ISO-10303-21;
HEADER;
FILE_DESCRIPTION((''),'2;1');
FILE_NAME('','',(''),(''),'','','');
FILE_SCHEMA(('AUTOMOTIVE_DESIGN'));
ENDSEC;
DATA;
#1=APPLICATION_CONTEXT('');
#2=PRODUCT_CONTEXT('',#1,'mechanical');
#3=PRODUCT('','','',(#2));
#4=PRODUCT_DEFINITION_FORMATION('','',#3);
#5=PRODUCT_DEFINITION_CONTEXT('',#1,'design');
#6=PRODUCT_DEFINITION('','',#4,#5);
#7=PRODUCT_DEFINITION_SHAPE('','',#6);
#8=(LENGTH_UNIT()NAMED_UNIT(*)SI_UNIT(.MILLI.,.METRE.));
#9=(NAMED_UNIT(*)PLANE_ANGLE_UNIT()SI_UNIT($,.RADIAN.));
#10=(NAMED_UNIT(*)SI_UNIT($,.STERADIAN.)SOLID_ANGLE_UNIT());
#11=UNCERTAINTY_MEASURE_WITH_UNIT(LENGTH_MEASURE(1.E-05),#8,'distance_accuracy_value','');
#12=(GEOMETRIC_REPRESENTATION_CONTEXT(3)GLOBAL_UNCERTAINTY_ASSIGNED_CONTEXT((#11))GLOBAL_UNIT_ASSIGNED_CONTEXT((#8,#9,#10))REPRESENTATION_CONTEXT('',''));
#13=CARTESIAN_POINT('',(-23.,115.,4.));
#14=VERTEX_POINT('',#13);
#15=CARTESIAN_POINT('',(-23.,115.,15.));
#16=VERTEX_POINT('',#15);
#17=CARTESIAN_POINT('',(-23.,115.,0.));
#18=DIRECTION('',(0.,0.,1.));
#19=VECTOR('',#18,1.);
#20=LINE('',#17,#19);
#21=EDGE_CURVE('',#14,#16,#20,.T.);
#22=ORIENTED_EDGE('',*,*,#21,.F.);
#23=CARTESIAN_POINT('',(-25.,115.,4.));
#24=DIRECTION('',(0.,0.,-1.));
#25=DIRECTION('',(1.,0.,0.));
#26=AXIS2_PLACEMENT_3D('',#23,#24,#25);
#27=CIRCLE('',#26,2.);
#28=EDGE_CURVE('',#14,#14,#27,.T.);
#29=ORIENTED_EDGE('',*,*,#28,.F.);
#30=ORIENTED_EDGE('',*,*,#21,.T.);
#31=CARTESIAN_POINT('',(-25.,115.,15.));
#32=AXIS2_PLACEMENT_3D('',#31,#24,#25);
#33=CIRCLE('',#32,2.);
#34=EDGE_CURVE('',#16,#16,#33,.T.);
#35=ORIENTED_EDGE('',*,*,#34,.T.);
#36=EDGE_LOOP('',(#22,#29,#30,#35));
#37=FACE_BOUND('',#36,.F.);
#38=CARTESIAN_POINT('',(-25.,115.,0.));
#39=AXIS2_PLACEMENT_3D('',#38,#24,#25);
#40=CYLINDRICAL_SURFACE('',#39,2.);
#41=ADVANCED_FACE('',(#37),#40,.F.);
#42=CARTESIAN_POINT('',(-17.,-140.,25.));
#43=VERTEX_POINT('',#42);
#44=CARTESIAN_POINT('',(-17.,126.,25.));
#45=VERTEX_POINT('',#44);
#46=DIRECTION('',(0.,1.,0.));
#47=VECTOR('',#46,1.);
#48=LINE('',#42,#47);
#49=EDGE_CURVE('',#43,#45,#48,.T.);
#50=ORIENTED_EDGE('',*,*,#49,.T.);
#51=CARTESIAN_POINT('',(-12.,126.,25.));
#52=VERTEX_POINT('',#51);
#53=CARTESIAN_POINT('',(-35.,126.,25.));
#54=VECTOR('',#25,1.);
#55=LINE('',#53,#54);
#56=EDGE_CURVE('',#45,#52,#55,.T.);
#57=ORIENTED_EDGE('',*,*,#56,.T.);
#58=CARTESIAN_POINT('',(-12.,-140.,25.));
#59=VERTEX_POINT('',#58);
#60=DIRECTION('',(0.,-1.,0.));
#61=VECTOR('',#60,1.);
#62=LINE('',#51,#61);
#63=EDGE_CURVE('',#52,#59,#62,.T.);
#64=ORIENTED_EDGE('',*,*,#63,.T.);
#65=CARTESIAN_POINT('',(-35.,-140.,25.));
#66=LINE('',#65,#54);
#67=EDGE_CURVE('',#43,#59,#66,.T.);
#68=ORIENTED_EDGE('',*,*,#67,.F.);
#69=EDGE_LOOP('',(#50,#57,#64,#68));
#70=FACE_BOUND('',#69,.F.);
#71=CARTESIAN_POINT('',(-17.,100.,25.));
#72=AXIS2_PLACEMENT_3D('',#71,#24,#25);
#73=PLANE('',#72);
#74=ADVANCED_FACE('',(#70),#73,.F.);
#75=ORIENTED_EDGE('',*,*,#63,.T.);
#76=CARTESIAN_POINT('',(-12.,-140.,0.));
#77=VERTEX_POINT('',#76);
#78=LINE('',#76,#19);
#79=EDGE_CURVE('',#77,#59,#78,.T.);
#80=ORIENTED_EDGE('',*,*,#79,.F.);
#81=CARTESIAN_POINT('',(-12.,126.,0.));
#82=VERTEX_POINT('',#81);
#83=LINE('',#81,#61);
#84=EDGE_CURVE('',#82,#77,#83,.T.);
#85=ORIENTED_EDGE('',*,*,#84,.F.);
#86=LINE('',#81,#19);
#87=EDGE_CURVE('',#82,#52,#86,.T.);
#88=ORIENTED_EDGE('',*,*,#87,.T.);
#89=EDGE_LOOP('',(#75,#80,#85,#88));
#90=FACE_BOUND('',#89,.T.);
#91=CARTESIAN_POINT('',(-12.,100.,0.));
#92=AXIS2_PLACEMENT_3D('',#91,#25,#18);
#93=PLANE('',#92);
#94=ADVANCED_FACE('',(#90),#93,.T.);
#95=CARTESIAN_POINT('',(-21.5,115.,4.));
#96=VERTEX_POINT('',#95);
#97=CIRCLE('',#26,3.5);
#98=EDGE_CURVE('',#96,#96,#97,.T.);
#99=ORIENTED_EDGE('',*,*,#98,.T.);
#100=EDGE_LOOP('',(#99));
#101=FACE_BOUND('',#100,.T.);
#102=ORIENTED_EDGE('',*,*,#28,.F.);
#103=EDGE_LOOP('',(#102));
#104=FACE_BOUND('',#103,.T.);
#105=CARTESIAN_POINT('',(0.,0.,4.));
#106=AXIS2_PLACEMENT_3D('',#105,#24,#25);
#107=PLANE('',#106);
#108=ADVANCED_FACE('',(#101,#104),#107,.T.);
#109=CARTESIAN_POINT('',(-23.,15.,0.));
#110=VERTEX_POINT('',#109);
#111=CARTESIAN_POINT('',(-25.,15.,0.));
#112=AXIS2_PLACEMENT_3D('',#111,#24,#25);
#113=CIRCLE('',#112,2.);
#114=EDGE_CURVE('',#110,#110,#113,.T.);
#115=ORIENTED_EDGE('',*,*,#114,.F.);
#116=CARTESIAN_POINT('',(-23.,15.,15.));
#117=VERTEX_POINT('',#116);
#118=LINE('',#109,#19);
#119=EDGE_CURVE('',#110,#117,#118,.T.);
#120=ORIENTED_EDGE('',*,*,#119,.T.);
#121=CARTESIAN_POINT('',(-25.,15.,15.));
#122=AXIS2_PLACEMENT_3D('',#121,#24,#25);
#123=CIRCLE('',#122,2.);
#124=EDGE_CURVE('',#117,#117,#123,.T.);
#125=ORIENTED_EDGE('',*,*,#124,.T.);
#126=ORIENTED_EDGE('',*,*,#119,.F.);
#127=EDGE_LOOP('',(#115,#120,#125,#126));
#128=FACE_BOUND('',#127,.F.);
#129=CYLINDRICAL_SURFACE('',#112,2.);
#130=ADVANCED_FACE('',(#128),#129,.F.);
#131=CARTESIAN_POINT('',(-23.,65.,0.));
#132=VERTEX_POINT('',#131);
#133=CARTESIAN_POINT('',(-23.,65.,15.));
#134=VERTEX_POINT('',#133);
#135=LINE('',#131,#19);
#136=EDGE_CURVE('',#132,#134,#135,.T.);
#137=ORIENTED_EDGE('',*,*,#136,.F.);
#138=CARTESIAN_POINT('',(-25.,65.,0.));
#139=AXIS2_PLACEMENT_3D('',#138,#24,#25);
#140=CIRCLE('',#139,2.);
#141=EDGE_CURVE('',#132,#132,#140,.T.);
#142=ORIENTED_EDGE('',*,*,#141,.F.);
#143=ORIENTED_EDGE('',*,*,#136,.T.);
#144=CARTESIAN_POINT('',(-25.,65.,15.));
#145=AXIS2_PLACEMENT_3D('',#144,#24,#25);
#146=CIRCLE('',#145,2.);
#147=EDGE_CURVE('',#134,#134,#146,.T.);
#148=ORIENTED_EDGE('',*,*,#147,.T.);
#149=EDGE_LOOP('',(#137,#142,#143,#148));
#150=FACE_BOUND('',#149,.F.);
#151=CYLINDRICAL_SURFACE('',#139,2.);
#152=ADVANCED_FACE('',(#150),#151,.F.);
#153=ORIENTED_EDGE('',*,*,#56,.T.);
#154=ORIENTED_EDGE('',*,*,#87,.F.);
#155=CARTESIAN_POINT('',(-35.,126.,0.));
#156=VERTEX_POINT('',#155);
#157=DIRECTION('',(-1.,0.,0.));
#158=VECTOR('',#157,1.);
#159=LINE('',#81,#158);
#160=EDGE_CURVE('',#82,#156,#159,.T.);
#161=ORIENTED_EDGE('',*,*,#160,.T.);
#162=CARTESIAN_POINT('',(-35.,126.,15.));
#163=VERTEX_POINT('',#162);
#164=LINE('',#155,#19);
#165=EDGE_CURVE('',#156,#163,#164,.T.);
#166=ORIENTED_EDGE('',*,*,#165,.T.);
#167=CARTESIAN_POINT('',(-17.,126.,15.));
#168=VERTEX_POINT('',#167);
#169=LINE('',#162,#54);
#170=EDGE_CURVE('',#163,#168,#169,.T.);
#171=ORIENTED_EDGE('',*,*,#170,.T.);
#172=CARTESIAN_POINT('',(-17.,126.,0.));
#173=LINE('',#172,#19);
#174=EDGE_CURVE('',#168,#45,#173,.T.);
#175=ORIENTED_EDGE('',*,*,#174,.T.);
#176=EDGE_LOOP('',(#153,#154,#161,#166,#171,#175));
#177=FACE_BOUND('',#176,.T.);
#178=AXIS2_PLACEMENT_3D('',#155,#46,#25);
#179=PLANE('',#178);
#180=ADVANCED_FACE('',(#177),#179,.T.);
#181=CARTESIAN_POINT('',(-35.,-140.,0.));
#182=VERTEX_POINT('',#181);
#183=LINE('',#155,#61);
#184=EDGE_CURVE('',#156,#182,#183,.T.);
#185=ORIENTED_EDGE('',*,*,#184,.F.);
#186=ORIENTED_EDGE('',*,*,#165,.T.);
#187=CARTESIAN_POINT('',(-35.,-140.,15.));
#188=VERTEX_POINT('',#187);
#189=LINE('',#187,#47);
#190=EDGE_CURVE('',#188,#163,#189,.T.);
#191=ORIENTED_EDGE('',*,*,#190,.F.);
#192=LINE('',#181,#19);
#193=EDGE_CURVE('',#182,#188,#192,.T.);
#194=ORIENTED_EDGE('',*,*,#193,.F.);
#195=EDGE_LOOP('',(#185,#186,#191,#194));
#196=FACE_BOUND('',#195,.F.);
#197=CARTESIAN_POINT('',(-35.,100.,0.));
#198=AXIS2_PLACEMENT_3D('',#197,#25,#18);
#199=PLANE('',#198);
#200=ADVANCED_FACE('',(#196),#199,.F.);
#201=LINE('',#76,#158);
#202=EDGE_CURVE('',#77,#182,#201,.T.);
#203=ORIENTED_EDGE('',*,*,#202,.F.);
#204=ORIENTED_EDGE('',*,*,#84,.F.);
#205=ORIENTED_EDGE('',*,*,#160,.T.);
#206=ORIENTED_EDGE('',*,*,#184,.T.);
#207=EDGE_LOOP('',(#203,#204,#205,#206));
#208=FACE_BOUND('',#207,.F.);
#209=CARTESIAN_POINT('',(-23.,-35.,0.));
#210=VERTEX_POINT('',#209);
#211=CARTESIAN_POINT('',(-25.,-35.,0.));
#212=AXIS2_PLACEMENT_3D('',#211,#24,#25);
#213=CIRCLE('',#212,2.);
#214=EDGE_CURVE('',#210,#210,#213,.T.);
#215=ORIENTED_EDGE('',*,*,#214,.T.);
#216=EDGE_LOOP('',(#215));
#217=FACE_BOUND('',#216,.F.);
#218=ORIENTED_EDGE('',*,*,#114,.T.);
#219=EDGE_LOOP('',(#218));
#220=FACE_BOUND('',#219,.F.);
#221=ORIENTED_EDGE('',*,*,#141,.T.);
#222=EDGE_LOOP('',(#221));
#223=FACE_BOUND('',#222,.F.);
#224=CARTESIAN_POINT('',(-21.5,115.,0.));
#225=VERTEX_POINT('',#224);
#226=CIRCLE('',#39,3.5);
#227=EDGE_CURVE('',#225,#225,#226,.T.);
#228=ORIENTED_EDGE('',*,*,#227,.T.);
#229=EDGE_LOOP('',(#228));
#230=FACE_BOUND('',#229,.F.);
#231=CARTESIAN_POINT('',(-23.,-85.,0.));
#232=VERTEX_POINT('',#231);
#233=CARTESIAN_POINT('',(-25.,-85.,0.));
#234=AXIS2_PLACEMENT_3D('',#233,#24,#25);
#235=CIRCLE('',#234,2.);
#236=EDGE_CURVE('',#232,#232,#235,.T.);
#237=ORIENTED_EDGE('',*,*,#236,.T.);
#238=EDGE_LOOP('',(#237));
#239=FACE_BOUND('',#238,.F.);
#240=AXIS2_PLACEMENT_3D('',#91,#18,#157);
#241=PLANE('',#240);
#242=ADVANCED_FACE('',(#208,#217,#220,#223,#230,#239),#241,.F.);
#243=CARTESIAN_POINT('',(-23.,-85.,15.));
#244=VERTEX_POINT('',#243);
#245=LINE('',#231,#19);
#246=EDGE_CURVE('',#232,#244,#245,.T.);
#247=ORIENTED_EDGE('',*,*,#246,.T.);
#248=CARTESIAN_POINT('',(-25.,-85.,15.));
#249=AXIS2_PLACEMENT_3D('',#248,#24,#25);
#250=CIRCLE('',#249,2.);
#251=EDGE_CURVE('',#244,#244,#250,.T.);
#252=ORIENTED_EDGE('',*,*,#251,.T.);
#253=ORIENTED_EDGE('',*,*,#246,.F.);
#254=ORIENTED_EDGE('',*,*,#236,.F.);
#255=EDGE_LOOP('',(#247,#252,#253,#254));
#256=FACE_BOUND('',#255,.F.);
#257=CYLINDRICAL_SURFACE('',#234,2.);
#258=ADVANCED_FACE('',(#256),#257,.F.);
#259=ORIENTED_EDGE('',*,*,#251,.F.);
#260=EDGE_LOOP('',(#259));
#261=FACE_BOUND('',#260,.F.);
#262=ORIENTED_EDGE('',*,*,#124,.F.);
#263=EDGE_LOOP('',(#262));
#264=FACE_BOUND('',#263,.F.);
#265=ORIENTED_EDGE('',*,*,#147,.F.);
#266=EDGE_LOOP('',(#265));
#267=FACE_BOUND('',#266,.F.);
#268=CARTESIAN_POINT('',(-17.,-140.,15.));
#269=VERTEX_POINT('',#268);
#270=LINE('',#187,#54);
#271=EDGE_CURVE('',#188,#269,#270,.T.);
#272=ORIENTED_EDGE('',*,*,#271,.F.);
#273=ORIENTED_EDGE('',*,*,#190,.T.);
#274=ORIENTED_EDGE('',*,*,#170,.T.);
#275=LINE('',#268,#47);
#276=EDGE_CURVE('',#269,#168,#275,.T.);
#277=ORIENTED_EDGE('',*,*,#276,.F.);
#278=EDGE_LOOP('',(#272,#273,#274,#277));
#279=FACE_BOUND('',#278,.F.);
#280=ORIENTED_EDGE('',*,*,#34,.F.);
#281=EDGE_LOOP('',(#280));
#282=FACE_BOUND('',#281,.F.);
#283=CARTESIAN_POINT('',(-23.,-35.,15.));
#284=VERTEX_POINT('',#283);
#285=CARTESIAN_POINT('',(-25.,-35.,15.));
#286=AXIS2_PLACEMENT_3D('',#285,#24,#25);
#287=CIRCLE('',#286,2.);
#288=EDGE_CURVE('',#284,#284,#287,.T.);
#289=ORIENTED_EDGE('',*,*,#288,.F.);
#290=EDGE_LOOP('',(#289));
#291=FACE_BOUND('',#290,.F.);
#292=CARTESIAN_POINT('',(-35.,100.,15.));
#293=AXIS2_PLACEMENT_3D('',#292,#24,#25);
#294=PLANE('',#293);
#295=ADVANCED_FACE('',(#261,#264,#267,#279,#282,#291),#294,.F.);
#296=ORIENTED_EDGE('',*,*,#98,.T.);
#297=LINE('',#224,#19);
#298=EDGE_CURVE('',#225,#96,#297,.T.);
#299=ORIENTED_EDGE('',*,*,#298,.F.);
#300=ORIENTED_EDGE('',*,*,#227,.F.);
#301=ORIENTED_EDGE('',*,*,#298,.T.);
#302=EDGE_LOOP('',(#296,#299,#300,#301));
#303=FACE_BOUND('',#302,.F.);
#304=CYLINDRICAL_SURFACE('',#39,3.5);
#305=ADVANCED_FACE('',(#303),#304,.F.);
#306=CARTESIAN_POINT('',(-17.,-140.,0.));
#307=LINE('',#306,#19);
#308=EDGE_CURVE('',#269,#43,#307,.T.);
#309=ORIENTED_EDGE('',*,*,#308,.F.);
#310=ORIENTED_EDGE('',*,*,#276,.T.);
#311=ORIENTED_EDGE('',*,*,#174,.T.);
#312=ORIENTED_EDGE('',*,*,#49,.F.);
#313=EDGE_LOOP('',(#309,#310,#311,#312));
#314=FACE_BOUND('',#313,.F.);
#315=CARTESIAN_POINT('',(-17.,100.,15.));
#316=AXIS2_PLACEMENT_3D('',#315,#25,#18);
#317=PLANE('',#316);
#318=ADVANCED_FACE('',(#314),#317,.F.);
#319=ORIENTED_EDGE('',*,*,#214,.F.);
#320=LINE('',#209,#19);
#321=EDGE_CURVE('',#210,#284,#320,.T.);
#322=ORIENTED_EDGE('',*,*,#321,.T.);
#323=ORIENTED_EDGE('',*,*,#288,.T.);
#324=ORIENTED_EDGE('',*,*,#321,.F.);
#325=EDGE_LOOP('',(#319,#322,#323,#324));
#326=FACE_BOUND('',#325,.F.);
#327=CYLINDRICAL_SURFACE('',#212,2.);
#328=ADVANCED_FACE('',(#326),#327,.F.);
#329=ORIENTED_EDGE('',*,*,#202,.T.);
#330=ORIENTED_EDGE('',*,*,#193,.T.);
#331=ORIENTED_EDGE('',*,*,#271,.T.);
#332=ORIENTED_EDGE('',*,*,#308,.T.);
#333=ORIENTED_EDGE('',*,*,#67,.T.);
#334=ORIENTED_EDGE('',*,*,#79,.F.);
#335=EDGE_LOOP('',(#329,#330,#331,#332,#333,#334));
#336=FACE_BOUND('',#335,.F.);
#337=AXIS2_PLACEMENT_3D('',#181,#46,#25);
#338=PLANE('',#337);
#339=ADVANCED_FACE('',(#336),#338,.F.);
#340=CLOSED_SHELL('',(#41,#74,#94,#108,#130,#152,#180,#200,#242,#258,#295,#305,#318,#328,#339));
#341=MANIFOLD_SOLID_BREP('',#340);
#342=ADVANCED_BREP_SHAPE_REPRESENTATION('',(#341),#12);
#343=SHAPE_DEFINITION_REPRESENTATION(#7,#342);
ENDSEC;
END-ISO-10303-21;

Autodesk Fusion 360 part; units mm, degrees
sketch "Szkic1" plane through (0, 0, 0) normal (0, 0, 1) x (1, 0, 0)
  line L0 (-35, 125) -> (-35, -140)
  line L1 (-35, -140) -> (45, -140)
  line L2 (45, 125) -> (-35, 125)
  circle A0 centre (-25, 115) radius 1.75
  circle A1 centre (25, 115) radius 1.75
  circle A2 centre (-25, 65) radius 1.75
  circle A3 centre (-25, 15) radius 1.75
  circle A4 centre (-25, -35) radius 1.75
  circle A5 centre (-25, -85) radius 1.75
  circle A6 centre (-15, -110) radius 3.5
  circle A7 centre (-15, -130) radius 3.5
  circle A8 centre (20, -130) radius 3.5
  circle A9 centre (20, -110) radius 3.5
  line L3 (-35, 125) -> (-35, 100)
  line L4 (-35, 100) -> (45, 100)
  line L5 (45, 100) -> (45, 125)
  line L6 (45, 125) -> (-35, 125)
  line L7 (-35, -140) -> (-17, -140)
  line L8 (-17, -140) -> (-17, 100)
  line L9 (-17, 100) -> (-35, 100)
  line L10 (-35, 100) -> (-35, -140)
  line L11 (-17, -140) -> (-17, 100)
  line L12 (-17, 100) -> (-12, 100)
  line L13 (-12, 100) -> (-12, -140)
  line L14 (-12, -140) -> (-17, -140)
  dimension "d1" = 18
  dimension "d2" = 5
extrude "Wyciągnięcie proste1" add sketch "Szkic1" along normal blind 15 contours L0 L1 A6 A7 L4 L7 L8 L9 L10 L11 | A6 L8 L11 | A7 L8 L11
extrude "Wyciągnięcie proste2" add sketch "Szkic1" along normal blind 25 contours A6 L4 L8 L11 L12 L13 | L1 A7 L8 L11 L13 L14 | A6 L8 L11 L13 | A7 L8 L11 L13 | A6 A7 L8 L11 L13
extrude "Wyciągnięcie proste3" add 1 faces at (-21.3333, 100, 5) along direction (0, 1, 0) blind 26
extrude "Wyciągnięcie proste4" cut sketch "Szkic1" along normal blind 42 contours A0
sketch "Szkic2" plane through (0, 0, 0) normal (0, 0, -1) x (1, 0, 0)
  circle A0 centre (-25, -115) radius 1.75
  circle A1 centre (-25, -65) radius 1.75
  circle A2 centre (-25, -15) radius 1.75
  circle A3 centre (-25, 35) radius 1.75
  circle A4 centre (-25, 85) radius 1.75
  line L0 (-12, 140) -> (-35, 140)
  line L1 (-35, 140) -> (-35, -126)
  line L2 (-35, -126) -> (-12, -126)
  line L3 (-12, -126) -> (-12, 140)
  circle A5 centre (-25, 85) radius 2
  circle A6 centre (-25, 35) radius 2
  circle A7 centre (-25, -15) radius 2
  circle A8 centre (-25, -65) radius 2
  circle A9 centre (-25, -115) radius 2
  circle A10 centre (-25, -115) radius 3.5
  dimension "d11" = 4
  dimension "d12" = 4
  dimension "d13" = 4
  dimension "d14" = 4
  dimension "d15" = 4
  dimension "d16" = 7
extrude "Wyciągnięcie proste5" cut sketch "Szkic2" against normal blind 100 contours A5 | A6 | A7 | A8 | A9
extrude "Wyciągnięcie proste6" cut sketch "Szkic2" against normal blind 4 contours A10
